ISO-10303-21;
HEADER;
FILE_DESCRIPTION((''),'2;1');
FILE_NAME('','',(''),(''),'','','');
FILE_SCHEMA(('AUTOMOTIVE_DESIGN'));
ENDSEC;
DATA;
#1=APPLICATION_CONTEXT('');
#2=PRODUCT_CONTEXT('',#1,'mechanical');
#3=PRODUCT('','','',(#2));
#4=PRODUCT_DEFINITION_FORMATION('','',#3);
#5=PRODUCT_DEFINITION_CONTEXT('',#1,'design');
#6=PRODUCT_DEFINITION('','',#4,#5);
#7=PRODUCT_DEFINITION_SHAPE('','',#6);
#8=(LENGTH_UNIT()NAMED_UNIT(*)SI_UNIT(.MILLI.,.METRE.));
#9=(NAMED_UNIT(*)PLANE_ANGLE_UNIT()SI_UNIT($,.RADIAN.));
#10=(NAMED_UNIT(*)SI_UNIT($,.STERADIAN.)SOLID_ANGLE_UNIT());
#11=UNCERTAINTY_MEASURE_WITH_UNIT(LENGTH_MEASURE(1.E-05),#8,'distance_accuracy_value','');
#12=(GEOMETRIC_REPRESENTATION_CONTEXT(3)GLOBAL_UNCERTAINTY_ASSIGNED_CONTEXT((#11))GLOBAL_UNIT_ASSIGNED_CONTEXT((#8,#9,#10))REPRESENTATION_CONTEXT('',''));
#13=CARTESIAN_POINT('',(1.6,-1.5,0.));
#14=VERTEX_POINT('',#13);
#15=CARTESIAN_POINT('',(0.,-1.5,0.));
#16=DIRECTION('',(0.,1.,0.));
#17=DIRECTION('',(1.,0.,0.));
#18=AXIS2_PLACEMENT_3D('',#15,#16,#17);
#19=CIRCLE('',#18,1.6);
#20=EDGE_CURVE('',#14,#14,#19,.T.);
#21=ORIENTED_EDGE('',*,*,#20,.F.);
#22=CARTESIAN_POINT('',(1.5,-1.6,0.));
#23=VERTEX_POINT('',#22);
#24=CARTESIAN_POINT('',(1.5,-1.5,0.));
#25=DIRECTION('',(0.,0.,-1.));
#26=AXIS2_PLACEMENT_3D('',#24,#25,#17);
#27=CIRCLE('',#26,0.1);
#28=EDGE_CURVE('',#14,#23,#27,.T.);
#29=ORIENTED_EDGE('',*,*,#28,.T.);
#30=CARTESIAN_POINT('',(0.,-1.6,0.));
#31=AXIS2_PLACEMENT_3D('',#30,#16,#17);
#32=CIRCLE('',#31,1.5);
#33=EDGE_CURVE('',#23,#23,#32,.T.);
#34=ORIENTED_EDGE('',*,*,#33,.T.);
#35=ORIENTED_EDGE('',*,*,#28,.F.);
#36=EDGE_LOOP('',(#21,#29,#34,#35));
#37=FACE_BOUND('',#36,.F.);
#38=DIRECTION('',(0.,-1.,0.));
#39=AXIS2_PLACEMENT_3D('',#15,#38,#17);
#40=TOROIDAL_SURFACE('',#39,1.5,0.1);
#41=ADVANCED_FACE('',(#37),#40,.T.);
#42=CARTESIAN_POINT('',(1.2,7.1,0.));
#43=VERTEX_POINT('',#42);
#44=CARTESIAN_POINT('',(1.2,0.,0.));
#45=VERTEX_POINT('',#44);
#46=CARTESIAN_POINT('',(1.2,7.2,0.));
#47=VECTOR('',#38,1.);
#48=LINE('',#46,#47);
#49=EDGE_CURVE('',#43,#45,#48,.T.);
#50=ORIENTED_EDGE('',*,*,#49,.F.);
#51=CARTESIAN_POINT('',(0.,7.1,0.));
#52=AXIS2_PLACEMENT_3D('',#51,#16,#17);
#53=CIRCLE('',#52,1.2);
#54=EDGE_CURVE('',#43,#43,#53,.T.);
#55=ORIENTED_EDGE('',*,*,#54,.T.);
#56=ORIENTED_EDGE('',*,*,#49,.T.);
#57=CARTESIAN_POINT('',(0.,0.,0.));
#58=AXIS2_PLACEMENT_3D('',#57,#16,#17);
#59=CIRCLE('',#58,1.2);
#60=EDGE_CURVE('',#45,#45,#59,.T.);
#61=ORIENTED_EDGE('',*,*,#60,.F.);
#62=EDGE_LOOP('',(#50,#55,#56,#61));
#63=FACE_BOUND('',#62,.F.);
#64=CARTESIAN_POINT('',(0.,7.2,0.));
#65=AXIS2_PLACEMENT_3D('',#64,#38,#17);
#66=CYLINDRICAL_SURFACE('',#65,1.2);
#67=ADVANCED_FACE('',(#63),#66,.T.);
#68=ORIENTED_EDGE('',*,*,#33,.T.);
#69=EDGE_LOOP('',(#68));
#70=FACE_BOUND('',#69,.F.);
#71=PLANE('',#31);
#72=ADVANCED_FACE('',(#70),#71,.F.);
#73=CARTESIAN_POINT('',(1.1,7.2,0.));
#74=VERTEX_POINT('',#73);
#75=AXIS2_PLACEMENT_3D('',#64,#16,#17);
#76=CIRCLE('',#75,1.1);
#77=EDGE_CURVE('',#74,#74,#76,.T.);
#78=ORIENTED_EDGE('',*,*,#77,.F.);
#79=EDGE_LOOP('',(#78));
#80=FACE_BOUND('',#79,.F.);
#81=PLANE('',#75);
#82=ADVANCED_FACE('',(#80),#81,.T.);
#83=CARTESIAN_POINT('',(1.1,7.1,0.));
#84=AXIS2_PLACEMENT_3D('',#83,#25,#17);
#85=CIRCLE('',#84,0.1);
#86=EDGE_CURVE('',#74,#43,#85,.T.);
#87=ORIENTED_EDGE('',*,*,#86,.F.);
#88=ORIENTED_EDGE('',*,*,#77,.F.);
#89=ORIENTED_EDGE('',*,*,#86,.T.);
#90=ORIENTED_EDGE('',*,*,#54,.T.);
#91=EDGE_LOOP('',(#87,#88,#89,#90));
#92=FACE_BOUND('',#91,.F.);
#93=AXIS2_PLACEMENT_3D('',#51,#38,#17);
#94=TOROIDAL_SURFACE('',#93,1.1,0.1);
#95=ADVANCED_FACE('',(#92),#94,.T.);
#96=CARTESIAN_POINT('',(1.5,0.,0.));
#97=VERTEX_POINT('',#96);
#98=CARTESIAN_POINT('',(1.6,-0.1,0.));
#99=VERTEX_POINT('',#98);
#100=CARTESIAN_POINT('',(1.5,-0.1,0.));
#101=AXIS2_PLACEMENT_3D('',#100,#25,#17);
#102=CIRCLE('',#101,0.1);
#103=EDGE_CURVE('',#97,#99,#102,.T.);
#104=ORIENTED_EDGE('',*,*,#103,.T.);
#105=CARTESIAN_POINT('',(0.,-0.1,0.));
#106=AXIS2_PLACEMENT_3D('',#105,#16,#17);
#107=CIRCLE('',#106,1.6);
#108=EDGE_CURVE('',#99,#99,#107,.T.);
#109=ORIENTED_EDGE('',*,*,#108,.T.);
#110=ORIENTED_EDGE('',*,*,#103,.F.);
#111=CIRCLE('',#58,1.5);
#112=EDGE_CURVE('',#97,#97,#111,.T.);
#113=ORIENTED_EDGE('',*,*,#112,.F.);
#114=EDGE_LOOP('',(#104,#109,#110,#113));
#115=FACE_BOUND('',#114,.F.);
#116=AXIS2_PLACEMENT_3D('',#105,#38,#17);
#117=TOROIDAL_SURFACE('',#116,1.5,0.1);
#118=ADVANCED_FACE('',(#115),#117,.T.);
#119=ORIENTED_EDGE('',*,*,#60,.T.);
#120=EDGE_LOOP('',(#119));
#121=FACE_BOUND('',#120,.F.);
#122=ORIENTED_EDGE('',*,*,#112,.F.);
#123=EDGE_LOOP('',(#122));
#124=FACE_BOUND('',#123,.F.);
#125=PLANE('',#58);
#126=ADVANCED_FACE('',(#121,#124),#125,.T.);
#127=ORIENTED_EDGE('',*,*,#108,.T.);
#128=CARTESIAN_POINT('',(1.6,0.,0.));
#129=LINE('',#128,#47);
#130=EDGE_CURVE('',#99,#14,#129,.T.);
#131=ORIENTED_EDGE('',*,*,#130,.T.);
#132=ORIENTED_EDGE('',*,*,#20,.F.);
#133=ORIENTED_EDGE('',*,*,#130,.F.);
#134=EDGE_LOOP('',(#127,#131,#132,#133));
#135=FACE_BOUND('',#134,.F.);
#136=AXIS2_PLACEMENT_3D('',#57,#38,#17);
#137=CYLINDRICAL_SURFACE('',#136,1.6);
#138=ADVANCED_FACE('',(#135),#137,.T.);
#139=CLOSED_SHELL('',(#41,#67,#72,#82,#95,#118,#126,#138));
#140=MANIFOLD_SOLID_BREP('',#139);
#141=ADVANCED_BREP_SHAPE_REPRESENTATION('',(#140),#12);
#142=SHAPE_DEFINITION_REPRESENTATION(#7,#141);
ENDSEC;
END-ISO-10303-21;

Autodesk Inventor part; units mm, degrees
ref_plane "YZ Plane" through (0, 0, 0) normal (1, 0, 0) x (0, 1, 0)
ref_plane "XZ Plane" through (0, 0, 0) normal (0, 1, 0) x (-1, 0, 0)
ref_plane "XY Plane" through (0, 0, 0) normal (0, 0, 1) x (1, 0, 0)
sketch "Sketch2" plane through (0, 0, 0) normal (0, 0, 1) x (1, 0, 0)
  line L0 (1.2, 0) -> (1.6, 0)
  line L1 (1.6, 0) -> (1.6, -1.6)
  line L2 (1.6, -1.6) -> (0, -1.6)
  line L3 (0, -1.6) -> (0, 7.2)
  line L4 (0, 7.2) -> (1.2, 7.2)
  line L5 (1.2, 7.2) -> (1.2, 0)
  point P0 (0, 0)
  dimension "d0" = 3.2
  dimension "d1" = 2.4
  dimension "d2" = 1.6
  dimension "d3" = 7.2
revolve "Revolution1" add sketch "Sketch2" angle 360 about axis through (0, -1.6, 0) along (0, 1, 0)
fillet "Fillet1" radius 0.1 3 edges at (-1.2, 7.2, 0) (-1.6, 0, 0) (-1.6, -1.6, 0)
properties part number "u9208" material "Steel"
